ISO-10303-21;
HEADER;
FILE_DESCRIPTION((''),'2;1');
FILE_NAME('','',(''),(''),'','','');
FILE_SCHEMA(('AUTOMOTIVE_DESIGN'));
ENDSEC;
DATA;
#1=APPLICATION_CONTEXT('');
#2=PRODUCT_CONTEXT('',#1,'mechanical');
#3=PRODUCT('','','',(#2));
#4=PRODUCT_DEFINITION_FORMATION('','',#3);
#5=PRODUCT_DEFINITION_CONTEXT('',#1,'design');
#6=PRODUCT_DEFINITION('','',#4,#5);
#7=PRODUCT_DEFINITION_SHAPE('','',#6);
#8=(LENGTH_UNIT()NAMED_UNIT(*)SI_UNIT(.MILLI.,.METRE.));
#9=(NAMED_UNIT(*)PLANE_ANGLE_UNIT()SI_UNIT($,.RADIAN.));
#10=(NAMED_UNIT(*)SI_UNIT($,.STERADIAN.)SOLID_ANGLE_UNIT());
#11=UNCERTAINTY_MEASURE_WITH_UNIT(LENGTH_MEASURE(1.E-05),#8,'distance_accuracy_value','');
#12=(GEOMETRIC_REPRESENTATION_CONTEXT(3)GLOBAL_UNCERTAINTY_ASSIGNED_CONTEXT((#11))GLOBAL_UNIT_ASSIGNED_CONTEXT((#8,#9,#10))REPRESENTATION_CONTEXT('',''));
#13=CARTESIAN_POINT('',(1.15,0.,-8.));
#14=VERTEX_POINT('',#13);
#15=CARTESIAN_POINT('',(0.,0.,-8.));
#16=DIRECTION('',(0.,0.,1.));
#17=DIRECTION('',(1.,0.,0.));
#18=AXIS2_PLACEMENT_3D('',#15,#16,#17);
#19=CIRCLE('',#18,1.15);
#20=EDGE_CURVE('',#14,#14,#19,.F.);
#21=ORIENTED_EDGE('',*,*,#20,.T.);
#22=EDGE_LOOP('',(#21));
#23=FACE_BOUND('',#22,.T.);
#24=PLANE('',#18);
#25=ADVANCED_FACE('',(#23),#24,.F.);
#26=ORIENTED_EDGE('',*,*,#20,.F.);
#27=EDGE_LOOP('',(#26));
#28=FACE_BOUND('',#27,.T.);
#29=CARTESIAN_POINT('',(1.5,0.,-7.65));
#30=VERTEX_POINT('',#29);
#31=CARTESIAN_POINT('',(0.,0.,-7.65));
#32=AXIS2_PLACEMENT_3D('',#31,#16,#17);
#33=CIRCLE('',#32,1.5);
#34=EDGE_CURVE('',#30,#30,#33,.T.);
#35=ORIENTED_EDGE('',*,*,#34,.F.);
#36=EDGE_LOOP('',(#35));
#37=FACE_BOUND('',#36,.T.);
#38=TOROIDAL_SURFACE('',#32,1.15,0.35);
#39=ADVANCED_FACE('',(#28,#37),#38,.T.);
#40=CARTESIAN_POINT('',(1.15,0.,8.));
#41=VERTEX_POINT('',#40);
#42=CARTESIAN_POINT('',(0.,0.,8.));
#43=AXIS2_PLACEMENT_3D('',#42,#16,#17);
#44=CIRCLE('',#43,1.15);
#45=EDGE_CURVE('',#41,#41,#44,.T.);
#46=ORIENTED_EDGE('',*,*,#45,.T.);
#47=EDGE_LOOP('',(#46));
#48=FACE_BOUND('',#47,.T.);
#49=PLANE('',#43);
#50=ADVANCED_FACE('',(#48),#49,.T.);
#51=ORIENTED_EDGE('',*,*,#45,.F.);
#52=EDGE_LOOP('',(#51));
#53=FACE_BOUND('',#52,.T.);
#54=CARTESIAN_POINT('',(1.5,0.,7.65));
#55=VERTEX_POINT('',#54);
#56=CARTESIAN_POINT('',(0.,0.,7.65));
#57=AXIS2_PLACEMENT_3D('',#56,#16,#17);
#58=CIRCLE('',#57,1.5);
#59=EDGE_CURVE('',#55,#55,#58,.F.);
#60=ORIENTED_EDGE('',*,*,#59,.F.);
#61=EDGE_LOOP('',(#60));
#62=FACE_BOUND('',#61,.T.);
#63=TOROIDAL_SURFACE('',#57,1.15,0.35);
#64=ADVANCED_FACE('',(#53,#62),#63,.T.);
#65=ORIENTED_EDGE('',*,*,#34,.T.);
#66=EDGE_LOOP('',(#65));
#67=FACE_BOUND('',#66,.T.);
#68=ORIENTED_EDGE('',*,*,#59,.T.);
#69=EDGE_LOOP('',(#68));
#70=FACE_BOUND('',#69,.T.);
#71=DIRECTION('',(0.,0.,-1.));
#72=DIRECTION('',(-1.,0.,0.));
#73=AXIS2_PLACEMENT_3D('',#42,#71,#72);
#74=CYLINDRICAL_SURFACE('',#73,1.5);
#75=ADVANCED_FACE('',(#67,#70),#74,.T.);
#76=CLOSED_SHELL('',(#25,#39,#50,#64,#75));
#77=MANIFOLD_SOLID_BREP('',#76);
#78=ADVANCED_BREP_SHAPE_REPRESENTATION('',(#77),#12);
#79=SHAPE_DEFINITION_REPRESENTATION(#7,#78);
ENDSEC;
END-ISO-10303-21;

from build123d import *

# Parameters (mm, degrees)
SKETCH1_R           = 1.5
BOSS_EXTRUDE1_DEPTH = 8
FILLET1_R           = 0.35


with BuildPart() as part:
    # Sketch1 → Boss-Extrude1 (new body, symmetric)
    with BuildSketch(Plane.XY):
        Circle(SKETCH1_R)
    extrude(amount=BOSS_EXTRUDE1_DEPTH, both=True)

    # Fillet1
    fillet1_edges = [part.edges().sort_by_distance(p)[0] for p in [
        (-1.5, 0, -8),
        (-1.5, 0, 8),
    ]]
    fillet(fillet1_edges, radius=FILLET1_R)


solid = part.part
